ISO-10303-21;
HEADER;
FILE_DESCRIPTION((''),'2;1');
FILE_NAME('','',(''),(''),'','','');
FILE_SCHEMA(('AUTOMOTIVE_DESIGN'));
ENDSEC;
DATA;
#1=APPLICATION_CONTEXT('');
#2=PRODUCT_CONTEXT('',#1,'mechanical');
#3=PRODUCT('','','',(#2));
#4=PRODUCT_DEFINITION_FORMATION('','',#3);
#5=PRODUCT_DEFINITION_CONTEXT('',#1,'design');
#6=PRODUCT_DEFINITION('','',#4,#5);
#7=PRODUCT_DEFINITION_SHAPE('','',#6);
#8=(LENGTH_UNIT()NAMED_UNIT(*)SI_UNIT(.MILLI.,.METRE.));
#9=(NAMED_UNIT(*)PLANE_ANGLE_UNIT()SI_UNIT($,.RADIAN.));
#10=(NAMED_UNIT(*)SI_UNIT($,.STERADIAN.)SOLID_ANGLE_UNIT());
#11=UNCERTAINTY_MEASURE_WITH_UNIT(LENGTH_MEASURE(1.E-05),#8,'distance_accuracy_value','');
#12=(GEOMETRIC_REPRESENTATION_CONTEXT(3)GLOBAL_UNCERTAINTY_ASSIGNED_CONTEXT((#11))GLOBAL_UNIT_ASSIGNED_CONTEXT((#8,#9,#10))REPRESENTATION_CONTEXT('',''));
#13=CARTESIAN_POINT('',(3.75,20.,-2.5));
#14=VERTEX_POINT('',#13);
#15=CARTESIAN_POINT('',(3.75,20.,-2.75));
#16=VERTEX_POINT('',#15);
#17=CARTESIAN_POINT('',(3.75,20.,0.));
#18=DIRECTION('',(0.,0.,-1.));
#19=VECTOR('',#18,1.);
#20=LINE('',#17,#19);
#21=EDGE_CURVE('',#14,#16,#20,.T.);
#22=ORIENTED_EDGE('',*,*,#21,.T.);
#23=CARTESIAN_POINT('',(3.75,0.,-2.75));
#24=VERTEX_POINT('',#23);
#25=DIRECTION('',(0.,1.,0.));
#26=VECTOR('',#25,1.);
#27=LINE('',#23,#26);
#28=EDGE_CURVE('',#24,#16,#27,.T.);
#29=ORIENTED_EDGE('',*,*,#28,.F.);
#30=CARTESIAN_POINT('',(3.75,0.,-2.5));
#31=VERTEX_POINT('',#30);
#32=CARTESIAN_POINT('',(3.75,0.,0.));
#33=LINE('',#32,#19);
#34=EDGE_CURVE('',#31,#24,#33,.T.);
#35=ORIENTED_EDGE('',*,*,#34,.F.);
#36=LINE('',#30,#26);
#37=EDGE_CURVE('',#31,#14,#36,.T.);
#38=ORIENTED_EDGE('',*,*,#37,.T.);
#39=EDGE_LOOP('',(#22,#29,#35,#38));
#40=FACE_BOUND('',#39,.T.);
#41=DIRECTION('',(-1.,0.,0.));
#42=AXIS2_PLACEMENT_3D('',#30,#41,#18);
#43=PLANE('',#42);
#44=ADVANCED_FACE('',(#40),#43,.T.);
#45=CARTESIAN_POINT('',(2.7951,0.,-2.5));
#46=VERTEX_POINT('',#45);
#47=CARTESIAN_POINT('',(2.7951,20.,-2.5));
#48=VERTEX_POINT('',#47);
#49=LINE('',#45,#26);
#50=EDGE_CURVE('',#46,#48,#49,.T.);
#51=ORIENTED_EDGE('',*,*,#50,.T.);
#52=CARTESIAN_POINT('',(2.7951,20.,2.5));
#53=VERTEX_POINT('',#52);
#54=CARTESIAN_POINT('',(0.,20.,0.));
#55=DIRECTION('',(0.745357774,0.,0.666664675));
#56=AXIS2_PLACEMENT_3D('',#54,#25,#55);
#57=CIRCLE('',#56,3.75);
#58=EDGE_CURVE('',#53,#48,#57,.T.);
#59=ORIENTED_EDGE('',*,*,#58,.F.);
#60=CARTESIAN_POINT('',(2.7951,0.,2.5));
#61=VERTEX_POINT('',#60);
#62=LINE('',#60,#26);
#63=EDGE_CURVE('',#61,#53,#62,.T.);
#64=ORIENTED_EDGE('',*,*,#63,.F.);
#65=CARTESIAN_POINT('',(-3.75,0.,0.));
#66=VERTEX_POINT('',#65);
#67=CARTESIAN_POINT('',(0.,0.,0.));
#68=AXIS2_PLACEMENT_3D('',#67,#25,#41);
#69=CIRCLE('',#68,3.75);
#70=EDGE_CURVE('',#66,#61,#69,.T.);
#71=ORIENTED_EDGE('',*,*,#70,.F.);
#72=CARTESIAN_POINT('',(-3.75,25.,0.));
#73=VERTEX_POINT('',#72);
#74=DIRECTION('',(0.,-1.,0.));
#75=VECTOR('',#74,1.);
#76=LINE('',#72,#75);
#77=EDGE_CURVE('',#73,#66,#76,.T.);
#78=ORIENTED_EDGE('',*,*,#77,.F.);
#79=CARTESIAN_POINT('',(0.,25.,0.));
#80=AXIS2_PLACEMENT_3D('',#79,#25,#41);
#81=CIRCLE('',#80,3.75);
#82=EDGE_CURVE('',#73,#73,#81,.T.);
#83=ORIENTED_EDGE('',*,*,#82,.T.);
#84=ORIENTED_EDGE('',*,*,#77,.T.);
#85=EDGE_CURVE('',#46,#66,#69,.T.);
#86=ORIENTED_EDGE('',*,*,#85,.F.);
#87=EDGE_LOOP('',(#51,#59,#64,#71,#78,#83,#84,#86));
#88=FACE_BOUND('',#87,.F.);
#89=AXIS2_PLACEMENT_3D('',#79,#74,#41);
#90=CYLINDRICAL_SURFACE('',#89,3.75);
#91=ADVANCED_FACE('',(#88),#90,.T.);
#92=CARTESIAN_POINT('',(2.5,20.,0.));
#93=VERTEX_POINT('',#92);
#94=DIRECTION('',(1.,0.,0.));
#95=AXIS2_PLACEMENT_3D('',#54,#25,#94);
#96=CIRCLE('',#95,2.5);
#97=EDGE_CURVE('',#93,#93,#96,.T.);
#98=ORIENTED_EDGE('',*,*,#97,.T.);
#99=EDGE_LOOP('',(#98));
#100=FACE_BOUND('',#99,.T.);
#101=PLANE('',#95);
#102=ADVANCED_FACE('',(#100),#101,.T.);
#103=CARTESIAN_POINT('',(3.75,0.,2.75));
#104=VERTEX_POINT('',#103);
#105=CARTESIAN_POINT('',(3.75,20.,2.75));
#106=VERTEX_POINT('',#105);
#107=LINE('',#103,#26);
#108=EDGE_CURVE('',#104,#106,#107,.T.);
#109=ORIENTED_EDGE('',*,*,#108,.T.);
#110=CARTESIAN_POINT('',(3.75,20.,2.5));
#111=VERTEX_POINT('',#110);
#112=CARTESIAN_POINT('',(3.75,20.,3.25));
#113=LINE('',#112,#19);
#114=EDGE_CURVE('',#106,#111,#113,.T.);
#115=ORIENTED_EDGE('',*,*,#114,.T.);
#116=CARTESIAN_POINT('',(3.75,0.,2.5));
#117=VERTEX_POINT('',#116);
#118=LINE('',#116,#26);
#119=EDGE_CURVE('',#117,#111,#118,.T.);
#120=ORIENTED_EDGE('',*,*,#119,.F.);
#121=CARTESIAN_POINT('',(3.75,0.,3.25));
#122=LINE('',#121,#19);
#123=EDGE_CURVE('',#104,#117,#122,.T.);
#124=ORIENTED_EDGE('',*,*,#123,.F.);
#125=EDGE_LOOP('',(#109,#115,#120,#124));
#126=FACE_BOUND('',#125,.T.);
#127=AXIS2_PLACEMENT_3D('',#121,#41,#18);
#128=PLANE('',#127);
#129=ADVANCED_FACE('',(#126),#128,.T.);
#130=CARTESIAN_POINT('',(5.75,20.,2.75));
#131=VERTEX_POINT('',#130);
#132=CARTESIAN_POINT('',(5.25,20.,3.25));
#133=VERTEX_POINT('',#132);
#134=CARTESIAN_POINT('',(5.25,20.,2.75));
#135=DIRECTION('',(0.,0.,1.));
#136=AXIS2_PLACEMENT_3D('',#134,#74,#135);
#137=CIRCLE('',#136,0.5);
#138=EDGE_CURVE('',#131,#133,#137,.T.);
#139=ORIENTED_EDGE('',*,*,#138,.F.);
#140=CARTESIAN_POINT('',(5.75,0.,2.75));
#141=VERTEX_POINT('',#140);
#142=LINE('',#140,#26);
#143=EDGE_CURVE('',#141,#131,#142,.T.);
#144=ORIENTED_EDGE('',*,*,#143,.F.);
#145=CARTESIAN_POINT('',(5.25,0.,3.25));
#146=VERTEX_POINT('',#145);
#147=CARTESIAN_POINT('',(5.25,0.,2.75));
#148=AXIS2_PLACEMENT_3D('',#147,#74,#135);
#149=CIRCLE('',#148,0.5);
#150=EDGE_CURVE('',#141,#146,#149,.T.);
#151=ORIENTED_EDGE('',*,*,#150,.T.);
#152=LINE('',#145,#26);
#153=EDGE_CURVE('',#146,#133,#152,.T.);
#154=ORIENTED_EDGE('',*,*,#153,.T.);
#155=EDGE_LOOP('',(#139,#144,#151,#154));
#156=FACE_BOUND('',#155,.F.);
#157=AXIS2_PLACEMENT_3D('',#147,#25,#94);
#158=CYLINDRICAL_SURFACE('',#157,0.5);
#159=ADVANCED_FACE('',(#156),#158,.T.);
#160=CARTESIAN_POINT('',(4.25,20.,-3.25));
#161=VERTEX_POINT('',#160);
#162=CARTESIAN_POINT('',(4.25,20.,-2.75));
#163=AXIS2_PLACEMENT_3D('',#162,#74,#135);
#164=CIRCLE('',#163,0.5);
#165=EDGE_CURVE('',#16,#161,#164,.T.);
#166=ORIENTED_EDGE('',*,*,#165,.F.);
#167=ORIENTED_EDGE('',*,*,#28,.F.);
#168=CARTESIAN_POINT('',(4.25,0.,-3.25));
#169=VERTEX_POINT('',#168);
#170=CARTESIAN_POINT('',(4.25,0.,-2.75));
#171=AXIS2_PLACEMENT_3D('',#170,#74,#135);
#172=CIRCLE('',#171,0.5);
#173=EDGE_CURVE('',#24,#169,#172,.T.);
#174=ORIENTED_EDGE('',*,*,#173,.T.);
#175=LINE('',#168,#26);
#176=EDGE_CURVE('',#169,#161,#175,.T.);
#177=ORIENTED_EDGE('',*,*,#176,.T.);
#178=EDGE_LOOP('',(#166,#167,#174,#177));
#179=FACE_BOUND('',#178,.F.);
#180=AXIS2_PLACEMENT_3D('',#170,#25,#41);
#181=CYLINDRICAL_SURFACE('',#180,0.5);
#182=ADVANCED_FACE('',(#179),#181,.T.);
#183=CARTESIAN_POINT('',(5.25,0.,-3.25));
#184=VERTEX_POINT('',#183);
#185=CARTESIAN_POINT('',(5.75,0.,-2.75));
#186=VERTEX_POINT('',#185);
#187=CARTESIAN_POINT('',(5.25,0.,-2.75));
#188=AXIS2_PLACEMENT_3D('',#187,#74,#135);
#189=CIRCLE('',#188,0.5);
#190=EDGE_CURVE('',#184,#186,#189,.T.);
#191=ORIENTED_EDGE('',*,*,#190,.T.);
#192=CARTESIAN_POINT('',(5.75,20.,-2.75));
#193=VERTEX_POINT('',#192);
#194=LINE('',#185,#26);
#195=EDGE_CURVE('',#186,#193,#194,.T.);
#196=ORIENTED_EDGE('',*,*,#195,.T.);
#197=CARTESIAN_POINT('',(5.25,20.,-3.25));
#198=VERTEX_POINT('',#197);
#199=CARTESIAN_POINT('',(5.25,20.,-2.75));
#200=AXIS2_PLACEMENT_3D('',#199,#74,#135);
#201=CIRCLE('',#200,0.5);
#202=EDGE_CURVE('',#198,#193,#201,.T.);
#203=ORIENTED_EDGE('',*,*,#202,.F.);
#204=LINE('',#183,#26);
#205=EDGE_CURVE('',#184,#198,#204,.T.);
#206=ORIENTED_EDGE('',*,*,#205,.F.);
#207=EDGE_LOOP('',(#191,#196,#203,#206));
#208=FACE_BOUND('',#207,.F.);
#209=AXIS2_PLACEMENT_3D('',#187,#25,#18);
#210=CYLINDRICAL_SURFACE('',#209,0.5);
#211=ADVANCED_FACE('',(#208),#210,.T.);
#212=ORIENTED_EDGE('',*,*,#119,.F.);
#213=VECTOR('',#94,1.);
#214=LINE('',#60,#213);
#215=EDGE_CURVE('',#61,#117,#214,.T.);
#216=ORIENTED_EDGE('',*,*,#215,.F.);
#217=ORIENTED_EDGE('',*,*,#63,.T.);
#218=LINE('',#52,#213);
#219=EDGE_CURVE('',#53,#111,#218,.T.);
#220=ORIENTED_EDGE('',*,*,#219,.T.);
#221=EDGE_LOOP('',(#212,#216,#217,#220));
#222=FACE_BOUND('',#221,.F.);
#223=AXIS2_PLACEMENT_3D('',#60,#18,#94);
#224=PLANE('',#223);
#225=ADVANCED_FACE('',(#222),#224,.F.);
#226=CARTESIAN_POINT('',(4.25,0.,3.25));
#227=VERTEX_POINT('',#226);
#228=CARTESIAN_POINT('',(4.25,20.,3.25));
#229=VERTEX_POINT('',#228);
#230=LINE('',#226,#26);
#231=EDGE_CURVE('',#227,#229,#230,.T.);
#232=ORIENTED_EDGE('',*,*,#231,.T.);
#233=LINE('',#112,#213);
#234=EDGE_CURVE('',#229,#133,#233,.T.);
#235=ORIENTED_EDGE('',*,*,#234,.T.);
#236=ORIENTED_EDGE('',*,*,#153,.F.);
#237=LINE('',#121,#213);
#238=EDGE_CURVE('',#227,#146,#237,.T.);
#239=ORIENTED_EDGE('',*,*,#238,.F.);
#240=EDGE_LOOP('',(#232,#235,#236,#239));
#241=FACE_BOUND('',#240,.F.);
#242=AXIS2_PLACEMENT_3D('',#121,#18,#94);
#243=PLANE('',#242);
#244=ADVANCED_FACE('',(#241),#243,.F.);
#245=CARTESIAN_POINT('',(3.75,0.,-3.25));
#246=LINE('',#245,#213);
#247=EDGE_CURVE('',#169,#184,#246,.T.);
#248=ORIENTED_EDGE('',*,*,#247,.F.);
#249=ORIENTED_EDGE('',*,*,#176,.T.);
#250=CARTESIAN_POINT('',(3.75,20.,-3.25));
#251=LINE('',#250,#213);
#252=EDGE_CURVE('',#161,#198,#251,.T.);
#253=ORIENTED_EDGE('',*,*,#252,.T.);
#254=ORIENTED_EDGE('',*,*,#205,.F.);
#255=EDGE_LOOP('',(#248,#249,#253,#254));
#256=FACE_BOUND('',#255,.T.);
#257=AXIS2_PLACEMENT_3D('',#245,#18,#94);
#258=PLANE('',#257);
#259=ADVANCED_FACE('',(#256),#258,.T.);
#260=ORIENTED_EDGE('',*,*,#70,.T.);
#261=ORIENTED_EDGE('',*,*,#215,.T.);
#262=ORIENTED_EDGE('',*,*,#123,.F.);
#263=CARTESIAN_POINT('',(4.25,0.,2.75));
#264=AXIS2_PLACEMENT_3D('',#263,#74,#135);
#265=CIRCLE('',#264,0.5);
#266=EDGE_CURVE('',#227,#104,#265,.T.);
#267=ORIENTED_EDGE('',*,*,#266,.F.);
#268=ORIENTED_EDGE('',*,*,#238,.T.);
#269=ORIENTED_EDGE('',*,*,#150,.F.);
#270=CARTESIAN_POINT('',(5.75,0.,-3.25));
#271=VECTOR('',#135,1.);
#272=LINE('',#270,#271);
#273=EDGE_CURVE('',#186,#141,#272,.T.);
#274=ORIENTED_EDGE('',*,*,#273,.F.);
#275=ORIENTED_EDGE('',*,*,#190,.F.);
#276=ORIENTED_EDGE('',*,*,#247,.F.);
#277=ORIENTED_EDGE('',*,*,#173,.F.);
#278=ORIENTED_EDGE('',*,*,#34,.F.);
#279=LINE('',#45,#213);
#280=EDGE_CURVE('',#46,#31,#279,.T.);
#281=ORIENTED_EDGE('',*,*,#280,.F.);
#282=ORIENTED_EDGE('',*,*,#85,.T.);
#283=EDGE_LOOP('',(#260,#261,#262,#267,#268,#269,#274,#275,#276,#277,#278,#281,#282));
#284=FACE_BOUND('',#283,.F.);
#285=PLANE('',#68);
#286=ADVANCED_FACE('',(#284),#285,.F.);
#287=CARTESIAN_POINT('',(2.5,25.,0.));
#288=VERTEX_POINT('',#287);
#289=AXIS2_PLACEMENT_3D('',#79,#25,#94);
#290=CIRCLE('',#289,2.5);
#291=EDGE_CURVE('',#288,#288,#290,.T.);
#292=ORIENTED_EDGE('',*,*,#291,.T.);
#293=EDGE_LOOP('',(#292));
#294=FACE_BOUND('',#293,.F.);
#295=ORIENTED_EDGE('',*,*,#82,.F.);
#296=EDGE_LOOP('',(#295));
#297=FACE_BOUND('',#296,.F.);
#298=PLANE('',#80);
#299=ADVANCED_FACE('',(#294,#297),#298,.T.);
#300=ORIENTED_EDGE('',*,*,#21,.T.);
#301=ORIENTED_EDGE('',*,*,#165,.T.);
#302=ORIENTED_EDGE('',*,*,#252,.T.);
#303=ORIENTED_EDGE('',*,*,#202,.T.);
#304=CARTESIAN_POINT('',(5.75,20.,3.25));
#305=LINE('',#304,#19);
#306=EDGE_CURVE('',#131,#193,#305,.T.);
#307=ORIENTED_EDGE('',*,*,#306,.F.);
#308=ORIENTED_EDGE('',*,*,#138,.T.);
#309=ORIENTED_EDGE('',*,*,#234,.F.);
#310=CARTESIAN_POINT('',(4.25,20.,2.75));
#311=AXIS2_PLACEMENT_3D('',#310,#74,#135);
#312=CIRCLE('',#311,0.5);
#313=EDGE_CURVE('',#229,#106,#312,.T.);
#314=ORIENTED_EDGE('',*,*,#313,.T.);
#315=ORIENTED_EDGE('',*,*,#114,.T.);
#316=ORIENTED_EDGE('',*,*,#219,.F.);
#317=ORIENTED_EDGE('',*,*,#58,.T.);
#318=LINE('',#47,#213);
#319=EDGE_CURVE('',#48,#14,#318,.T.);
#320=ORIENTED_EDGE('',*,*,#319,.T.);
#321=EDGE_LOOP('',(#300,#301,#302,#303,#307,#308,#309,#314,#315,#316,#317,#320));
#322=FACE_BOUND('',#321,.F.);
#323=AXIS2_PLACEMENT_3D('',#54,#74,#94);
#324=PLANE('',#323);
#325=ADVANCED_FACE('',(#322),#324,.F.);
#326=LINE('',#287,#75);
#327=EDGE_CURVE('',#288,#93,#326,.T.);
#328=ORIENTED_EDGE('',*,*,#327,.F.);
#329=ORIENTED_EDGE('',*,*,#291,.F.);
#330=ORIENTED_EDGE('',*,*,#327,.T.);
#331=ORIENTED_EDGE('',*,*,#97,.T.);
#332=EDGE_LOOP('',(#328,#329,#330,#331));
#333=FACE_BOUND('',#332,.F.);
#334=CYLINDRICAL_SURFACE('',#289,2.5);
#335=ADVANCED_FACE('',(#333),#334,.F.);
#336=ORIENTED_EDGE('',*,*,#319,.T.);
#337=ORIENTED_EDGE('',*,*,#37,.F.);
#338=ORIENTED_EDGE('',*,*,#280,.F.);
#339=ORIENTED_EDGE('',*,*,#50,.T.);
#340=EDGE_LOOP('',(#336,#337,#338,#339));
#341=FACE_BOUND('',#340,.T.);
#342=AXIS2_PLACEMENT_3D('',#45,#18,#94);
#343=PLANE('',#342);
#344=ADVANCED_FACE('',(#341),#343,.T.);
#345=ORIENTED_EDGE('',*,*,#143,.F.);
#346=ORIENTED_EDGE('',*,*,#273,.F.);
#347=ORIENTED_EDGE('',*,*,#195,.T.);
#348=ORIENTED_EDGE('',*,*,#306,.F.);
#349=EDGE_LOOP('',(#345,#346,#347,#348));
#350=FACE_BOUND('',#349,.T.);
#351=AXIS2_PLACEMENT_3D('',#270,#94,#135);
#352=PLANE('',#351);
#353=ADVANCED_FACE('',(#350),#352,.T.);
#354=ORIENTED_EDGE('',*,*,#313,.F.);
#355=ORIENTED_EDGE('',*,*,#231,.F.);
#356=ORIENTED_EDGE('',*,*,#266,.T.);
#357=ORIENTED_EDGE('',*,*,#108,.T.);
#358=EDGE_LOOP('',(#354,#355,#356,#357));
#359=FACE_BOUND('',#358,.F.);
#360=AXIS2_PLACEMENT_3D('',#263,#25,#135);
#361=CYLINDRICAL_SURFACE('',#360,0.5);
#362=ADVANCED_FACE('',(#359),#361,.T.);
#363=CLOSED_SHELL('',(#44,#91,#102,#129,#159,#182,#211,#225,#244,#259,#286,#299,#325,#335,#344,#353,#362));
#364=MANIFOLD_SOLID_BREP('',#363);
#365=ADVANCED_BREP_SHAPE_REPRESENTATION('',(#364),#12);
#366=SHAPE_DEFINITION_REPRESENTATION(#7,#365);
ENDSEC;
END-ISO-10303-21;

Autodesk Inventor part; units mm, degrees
ref_plane "YZ Plane" through (0, 0, 0) normal (1, 0, 0) x (0, 1, 0)
ref_plane "XZ Plane" through (0, 0, 0) normal (0, 1, 0) x (-1, 0, 0)
ref_plane "XY Plane" through (0, 0, 0) normal (0, 0, 1) x (1, 0, 0)
sketch "スケッチ1" plane through (0, 0, 0) normal (0, 0, 1) x (1, 0, 0)
  line L0 (0, 25) -> (-3.75, 25)
  line L1 (-3.75, 25) -> (-3.75, 0)
  line L2 (-3.75, 0) -> (0, 0)
  line L3 (0, 0) -> (0, 25)
  line L4 (0, -5) -> (0, 30) projected
  line L5 (-4.5, 0) -> (0.75, 0) projected
  dimension "d2" = 3.75
  dimension "d3" = 25
revolve "回転1" add sketch "スケッチ1" angle 360 about axis through (0, -10, 0) along (0, 1, 0)
sketch "スケッチ3" plane through (0, 25, 0) normal (0, 1, 0) x (1, 0, 0)
  circle A0 centre (0, 0) radius 2.5
  dimension "d5" = 5
extrude "押し出し1" cut sketch "スケッチ3" against normal blind 5
sketch "スケッチ4" plane through (0, 0, 0) normal (0, -1, 0) x (1, 0, 0)
  circle A0 centre (0, 0) radius 3.75 projected
  line L0 (3.75, 3.25) -> (5.75, 3.25)
  line L1 (3.75, -3.25) -> (5.75, -3.25)
  line L2 (5.75, -3.25) -> (5.75, 3.25)
  line L3 (2.7951, 2.5) -> (3.75, 2.5)
  line L4 (-5.65, 0) -> (7.65, 0) projected
  line L5 (3.75, 3.25) -> (3.75, 2.5)
  line L6 (3.75, 0) -> (3.75, -3.25)
  line L7 (2.7951, -2.5) -> (3.75, -2.5)
  dimension "d9" = 6.5
  dimension "d10" = 2
  dimension "d11" = 2.5
  dimension "d12" = 5
extrude "押し出し2" add sketch "スケッチ4" against normal blind 20 contours L6 L7 A0 | A0 L3 L5 L0 L2 L4 | L4 L2 L1 L6
fillet "フィレット1" radius 0.5 4 edges at (5.75, 10, 3.25) (5.75, 10, -3.25) (3.75, 10, 3.25) (3.75, 10, -3.25)
properties part number "flat_cover_5mm"
